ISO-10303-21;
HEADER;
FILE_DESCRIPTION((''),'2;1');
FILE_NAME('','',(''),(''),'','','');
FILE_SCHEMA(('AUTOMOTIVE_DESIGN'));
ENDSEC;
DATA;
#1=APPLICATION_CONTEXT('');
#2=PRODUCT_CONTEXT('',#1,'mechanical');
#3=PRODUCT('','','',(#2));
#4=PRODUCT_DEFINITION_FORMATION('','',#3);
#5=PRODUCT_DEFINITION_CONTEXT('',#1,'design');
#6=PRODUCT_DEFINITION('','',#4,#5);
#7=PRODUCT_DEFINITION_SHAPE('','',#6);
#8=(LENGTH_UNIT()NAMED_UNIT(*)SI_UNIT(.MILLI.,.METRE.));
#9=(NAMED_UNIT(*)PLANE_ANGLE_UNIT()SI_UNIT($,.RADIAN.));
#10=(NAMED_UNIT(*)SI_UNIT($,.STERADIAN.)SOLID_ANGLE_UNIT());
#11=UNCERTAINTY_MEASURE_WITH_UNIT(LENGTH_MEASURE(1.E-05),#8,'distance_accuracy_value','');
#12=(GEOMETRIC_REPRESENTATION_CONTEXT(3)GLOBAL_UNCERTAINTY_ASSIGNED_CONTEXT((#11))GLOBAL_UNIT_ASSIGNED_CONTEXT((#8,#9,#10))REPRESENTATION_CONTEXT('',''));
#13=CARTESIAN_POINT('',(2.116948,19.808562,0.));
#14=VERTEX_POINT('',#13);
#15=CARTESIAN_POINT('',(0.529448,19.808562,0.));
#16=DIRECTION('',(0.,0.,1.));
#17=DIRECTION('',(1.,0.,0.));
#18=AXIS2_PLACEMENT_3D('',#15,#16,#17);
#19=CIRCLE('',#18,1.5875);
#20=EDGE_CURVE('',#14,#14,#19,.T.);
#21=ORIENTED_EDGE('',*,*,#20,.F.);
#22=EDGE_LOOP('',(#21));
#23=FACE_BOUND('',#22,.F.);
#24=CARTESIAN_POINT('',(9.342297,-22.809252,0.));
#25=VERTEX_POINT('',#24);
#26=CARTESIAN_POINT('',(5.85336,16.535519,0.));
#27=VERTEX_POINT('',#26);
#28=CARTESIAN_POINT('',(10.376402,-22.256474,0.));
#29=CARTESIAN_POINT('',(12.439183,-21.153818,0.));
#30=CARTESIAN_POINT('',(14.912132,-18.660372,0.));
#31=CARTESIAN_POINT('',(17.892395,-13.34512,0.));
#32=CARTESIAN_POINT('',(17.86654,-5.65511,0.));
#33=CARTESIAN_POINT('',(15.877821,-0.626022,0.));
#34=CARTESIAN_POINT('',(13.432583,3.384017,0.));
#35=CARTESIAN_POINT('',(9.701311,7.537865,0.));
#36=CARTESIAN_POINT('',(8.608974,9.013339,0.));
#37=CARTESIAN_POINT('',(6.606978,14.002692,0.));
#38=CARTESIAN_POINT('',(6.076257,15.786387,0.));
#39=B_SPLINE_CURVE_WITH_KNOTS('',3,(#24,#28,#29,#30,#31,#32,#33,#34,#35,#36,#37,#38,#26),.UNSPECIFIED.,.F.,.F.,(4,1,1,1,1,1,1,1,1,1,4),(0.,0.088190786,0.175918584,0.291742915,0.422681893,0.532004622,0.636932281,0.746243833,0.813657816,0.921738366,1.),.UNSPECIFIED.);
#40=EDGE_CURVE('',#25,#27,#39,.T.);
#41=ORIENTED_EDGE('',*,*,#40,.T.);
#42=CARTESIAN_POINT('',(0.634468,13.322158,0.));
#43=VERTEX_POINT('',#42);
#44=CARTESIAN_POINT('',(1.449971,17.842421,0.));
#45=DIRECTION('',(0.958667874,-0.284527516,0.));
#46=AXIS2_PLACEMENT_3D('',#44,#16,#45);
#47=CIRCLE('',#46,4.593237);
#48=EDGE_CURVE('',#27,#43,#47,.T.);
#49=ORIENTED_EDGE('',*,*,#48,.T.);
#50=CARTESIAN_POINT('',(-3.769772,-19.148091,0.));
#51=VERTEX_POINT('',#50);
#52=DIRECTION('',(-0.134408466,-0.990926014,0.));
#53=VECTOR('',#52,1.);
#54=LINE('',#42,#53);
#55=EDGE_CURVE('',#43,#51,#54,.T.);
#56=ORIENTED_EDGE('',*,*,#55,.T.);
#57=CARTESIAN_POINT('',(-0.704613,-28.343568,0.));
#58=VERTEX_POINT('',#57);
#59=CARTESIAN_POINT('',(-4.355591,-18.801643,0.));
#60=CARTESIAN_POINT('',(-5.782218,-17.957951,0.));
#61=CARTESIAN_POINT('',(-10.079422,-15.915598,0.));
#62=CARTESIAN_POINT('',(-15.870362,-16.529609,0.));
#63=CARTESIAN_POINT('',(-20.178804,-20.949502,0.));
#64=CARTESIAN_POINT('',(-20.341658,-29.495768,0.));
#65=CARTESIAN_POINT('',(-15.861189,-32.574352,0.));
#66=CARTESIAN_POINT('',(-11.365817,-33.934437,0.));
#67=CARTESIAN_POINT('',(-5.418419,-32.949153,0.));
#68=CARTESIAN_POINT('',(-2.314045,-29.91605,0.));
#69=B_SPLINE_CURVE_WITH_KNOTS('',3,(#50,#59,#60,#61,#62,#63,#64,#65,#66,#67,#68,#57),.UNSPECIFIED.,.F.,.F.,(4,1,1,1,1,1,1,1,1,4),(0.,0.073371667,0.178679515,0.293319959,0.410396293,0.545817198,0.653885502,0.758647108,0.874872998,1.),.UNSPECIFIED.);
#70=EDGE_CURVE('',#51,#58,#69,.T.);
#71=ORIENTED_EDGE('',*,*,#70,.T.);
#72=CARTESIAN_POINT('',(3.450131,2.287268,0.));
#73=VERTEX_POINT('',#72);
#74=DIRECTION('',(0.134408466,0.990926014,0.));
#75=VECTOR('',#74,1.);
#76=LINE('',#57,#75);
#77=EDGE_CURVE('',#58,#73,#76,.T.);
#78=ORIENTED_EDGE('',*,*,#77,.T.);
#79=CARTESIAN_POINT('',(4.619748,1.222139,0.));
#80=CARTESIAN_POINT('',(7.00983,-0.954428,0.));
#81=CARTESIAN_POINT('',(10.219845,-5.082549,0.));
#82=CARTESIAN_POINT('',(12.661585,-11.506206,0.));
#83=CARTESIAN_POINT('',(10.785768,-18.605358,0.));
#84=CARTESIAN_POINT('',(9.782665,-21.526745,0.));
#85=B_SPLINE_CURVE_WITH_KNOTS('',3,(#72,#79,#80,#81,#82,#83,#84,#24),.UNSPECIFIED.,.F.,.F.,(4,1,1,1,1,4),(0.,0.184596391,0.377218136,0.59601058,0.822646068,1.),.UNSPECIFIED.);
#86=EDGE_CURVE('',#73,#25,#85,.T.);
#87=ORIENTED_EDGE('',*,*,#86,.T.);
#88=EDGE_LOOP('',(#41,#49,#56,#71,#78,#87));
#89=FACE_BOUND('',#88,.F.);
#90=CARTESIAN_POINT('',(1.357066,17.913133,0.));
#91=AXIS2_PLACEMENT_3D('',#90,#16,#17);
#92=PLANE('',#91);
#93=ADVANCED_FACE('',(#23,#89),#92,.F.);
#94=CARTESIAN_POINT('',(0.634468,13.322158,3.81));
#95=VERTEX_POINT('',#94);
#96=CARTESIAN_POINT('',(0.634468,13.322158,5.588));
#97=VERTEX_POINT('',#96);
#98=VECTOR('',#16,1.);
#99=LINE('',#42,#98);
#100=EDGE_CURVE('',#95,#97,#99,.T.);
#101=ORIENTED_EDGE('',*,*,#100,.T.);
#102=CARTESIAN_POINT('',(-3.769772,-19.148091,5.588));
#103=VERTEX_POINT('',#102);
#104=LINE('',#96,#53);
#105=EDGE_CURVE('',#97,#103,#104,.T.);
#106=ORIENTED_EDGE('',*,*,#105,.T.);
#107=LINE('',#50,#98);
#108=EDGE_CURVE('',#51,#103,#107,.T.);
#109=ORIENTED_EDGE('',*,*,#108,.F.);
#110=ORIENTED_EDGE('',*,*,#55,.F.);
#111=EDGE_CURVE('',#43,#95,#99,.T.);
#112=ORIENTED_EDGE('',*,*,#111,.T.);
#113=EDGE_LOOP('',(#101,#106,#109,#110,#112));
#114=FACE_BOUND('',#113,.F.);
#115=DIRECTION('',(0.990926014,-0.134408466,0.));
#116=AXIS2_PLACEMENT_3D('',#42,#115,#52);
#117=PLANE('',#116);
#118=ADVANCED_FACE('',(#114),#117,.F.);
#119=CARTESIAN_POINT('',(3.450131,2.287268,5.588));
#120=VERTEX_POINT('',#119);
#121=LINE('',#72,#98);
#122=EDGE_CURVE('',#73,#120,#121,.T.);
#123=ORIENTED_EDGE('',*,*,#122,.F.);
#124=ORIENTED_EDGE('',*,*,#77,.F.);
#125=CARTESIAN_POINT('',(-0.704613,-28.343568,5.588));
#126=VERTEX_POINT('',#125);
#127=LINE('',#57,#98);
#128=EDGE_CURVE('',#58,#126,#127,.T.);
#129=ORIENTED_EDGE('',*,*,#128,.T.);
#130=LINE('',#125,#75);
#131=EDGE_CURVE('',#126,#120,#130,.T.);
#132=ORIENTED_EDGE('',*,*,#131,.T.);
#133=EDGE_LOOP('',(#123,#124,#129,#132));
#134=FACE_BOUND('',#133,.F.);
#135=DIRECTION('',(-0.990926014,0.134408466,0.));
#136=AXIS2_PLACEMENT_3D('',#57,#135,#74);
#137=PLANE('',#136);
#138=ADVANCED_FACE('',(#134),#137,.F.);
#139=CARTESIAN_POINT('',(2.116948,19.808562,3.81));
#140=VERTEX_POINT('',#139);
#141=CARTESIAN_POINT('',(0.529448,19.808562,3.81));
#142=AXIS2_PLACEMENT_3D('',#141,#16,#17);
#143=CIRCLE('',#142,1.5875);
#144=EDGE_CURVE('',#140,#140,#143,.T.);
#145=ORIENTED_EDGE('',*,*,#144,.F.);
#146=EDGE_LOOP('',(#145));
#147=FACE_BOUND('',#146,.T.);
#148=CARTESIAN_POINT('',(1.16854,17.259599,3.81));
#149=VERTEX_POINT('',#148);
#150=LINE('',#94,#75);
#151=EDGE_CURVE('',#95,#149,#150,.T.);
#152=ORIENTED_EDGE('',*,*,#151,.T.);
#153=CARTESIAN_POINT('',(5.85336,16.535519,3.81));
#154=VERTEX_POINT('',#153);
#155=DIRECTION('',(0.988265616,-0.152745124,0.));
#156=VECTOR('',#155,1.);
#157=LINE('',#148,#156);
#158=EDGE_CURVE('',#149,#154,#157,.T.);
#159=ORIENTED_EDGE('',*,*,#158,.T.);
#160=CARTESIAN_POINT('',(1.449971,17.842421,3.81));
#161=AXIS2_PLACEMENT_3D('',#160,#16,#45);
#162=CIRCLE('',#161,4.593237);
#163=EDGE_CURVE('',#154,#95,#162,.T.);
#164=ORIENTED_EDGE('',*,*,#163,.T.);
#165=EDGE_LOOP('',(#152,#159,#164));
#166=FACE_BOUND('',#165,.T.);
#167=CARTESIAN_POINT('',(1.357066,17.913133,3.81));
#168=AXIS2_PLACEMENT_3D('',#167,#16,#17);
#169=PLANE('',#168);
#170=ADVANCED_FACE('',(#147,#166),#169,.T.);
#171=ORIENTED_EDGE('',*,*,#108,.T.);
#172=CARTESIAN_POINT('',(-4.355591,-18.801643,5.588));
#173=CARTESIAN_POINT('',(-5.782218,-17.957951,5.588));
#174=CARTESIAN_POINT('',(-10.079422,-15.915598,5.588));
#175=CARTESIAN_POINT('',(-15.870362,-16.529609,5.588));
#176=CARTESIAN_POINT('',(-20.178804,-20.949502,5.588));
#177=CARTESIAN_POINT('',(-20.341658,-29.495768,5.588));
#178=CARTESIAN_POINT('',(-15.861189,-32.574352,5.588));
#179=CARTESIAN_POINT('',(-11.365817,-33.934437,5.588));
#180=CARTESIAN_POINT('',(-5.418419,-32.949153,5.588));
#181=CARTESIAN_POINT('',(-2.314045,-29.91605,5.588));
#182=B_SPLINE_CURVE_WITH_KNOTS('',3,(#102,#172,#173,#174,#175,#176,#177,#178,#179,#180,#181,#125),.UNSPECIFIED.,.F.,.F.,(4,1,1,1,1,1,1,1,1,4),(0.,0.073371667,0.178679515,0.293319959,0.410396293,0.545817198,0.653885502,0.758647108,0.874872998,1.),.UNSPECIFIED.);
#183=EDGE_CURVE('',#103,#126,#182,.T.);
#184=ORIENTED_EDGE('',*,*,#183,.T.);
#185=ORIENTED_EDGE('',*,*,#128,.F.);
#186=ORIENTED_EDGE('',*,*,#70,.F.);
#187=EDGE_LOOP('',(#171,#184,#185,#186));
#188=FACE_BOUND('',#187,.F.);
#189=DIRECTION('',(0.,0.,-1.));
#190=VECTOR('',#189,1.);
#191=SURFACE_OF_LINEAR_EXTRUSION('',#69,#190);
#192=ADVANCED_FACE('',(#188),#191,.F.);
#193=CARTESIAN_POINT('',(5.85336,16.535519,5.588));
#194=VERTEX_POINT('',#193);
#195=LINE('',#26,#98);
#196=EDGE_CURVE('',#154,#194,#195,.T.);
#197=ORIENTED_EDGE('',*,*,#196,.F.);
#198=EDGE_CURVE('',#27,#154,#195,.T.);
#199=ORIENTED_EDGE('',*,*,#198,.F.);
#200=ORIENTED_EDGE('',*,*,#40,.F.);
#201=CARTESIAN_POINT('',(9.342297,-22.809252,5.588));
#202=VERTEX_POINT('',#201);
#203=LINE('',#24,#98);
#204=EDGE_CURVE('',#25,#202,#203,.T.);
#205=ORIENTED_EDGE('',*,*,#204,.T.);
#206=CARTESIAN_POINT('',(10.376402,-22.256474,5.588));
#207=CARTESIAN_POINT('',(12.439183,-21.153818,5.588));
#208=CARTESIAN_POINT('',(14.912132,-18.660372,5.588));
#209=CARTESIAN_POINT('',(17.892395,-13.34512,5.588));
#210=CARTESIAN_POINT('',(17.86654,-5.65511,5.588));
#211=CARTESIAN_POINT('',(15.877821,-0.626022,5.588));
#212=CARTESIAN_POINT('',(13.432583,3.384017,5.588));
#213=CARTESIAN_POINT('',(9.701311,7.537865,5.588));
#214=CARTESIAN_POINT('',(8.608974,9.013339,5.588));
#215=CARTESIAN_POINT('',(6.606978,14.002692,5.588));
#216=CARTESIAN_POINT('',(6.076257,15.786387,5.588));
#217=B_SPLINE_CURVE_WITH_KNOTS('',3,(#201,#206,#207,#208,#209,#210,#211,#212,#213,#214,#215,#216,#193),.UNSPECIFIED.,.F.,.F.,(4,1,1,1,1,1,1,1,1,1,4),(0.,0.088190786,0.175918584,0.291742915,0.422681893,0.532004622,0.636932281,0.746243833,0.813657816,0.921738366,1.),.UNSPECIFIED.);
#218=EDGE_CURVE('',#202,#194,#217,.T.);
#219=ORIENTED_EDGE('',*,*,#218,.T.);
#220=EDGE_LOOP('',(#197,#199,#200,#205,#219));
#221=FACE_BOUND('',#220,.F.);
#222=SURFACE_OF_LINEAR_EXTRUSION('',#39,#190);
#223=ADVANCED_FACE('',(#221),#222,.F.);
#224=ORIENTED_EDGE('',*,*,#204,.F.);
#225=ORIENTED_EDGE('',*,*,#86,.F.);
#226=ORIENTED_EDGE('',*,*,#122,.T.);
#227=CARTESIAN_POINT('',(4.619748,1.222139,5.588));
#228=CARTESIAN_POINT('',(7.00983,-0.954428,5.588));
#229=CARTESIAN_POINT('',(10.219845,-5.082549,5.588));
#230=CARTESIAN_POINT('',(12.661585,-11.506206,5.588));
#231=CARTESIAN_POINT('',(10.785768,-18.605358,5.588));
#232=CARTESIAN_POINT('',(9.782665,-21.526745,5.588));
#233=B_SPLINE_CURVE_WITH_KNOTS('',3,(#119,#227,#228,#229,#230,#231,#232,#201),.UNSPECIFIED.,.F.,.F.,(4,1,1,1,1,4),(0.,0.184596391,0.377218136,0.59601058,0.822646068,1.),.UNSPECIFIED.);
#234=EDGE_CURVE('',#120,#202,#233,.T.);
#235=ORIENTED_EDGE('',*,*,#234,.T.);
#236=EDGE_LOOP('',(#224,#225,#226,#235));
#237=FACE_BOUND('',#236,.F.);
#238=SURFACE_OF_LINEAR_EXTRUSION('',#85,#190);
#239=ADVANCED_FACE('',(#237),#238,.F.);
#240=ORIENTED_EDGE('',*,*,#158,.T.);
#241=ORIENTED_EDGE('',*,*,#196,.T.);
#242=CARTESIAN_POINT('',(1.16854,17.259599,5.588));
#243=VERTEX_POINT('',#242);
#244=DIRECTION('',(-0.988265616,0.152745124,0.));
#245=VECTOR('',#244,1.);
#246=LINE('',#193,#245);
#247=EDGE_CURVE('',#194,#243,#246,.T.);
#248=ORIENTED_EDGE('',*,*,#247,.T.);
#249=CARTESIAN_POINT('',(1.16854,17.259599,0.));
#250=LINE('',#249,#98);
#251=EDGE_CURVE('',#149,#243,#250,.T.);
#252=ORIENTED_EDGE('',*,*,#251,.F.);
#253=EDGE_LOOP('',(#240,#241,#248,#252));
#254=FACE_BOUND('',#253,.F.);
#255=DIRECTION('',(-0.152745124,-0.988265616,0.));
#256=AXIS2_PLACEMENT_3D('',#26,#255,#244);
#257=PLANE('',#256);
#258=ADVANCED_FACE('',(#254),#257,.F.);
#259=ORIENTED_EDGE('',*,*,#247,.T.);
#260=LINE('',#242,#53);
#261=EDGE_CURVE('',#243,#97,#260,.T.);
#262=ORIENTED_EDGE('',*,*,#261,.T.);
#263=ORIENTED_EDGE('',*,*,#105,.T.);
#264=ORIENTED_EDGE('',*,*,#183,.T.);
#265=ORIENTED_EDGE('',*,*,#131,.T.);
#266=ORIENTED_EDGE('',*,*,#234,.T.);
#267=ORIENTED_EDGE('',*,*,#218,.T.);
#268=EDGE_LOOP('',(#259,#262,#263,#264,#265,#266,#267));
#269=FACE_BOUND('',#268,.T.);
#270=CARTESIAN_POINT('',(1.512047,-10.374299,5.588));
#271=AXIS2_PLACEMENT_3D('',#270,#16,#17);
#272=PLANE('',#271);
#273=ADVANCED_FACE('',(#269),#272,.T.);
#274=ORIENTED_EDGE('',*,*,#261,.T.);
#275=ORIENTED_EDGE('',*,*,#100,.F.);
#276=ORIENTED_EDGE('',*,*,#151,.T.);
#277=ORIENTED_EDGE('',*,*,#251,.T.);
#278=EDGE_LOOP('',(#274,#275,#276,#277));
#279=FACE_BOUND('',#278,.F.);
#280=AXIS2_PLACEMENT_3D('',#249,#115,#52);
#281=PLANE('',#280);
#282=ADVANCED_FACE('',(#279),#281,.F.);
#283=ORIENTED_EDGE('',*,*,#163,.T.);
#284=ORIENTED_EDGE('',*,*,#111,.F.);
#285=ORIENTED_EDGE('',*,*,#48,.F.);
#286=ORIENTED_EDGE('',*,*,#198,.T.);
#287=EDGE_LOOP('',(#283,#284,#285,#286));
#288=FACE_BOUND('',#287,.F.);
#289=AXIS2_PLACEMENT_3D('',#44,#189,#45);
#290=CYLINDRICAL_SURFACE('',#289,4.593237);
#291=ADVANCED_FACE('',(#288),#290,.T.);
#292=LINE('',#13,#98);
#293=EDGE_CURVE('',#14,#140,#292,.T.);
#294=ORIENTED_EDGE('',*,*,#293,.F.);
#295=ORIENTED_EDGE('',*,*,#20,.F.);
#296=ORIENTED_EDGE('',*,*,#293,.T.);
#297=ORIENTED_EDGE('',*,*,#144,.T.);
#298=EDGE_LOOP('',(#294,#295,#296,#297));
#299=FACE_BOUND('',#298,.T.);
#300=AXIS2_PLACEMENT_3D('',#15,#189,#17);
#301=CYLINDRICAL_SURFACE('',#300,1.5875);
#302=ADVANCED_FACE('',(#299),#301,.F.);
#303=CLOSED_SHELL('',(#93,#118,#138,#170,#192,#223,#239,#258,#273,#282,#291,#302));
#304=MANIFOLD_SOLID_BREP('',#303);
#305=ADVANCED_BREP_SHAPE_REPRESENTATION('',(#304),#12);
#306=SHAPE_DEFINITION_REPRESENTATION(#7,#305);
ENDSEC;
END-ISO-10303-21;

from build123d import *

# Parameters (mm, degrees)
F1_DEPTH = 5.588
F0_R     = 1.5875
F2_DEPTH = 3.81


with BuildPart() as f1:
    # F0 (on Top) → F1 (new body)
    with BuildSketch(Plane.XY):
        with BuildLine():
            Line((5.8533600532, 16.5355186909), (1.1685399804, 17.2595987498))
            Line((1.1685399804, 17.2595987498), (0.6344684199, 13.322157759))
            Line((0.6344684199, 13.322157759), (-3.7697718944, -19.1480908543))
            add(Edge.make_bspline(
                [(-3.7697718944, -19.1480908543), (-4.3555914665, -18.8016430905), (-5.7822178631, -17.9579506834), (-10.07942189, -15.9155984564), (-15.8703623677, -16.5296094496), (-20.1788042918, -20.9495015911), (-20.3416582915, -29.4957678975), (-15.8611889921, -32.5743524135), (-11.3658166935, -33.9344368989), (-5.4184186667, -32.9491526178), (-2.3140445763, -29.9160496434), (-0.7046127575, -28.3435676247)],
                knots=[0, 0, 0, 0, 0.0733716673, 0.1786795155, 0.2933199586, 0.4103962929, 0.5458171982, 0.653885502, 0.7586471083, 0.8748729978, 1, 1, 1, 1], degree=3))
            Line((-0.7046127575, -28.3435676247), (3.4501309904, 2.2872682951))
            add(Edge.make_bspline(
                [(3.4501309904, 2.2872682951), (4.6197476722, 1.2221385355), (7.0098302915, -0.9544276554), (10.2198450639, -5.0825493664), (12.6615847169, -11.5062056404), (10.7857675782, -18.6053580574), (9.7826652853, -21.5267447504), (9.3422969803, -22.8092521429)],
                knots=[0, 0, 0, 0, 0.1845963905, 0.3772181359, 0.5960105797, 0.8226460676, 1, 1, 1, 1], degree=3))
            add(Edge.make_bspline(
                [(9.3422969803, -22.8092521429), (10.3764018063, -22.2564735657), (12.4391825703, -21.153818412), (14.9121319585, -18.6603720305), (17.892394858, -13.345119646), (17.866540264, -5.6551098274), (15.8778206426, -0.6260222519), (13.4325832396, 3.3840169536), (9.7013106687, 7.5378647698), (8.6089736323, 9.0133392963), (6.6069778635, 14.002692023), (6.0762569166, 15.7863868205), (5.8533600532, 16.5355186909)],
                knots=[0, 0, 0, 0, 0.088190786, 0.1759185842, 0.2917429153, 0.4226818929, 0.5320046223, 0.6369322812, 0.746243833, 0.8136578164, 0.9217383665, 1, 1, 1, 1], degree=3))
        make_face()
    extrude(amount=F1_DEPTH)

    # F0 (on Top) → F2 (join)
    with BuildSketch(Plane.XY):
        with BuildLine():
            Line((0.6344684199, 13.322157759), (1.1685399804, 17.2595987498))
            Line((1.1685399804, 17.2595987498), (5.8533600532, 16.5355186909))
            ThreePointArc((5.8533600532, 16.5355186909), (-0.9582753649, 21.7537087006), (0.6344684199, 13.322157759))
        make_face()
        with Locations((0.5294481525, 19.8085624725)):
            Circle(F0_R, mode=Mode.SUBTRACT)
    extrude(amount=F2_DEPTH)


solid = f1.part
